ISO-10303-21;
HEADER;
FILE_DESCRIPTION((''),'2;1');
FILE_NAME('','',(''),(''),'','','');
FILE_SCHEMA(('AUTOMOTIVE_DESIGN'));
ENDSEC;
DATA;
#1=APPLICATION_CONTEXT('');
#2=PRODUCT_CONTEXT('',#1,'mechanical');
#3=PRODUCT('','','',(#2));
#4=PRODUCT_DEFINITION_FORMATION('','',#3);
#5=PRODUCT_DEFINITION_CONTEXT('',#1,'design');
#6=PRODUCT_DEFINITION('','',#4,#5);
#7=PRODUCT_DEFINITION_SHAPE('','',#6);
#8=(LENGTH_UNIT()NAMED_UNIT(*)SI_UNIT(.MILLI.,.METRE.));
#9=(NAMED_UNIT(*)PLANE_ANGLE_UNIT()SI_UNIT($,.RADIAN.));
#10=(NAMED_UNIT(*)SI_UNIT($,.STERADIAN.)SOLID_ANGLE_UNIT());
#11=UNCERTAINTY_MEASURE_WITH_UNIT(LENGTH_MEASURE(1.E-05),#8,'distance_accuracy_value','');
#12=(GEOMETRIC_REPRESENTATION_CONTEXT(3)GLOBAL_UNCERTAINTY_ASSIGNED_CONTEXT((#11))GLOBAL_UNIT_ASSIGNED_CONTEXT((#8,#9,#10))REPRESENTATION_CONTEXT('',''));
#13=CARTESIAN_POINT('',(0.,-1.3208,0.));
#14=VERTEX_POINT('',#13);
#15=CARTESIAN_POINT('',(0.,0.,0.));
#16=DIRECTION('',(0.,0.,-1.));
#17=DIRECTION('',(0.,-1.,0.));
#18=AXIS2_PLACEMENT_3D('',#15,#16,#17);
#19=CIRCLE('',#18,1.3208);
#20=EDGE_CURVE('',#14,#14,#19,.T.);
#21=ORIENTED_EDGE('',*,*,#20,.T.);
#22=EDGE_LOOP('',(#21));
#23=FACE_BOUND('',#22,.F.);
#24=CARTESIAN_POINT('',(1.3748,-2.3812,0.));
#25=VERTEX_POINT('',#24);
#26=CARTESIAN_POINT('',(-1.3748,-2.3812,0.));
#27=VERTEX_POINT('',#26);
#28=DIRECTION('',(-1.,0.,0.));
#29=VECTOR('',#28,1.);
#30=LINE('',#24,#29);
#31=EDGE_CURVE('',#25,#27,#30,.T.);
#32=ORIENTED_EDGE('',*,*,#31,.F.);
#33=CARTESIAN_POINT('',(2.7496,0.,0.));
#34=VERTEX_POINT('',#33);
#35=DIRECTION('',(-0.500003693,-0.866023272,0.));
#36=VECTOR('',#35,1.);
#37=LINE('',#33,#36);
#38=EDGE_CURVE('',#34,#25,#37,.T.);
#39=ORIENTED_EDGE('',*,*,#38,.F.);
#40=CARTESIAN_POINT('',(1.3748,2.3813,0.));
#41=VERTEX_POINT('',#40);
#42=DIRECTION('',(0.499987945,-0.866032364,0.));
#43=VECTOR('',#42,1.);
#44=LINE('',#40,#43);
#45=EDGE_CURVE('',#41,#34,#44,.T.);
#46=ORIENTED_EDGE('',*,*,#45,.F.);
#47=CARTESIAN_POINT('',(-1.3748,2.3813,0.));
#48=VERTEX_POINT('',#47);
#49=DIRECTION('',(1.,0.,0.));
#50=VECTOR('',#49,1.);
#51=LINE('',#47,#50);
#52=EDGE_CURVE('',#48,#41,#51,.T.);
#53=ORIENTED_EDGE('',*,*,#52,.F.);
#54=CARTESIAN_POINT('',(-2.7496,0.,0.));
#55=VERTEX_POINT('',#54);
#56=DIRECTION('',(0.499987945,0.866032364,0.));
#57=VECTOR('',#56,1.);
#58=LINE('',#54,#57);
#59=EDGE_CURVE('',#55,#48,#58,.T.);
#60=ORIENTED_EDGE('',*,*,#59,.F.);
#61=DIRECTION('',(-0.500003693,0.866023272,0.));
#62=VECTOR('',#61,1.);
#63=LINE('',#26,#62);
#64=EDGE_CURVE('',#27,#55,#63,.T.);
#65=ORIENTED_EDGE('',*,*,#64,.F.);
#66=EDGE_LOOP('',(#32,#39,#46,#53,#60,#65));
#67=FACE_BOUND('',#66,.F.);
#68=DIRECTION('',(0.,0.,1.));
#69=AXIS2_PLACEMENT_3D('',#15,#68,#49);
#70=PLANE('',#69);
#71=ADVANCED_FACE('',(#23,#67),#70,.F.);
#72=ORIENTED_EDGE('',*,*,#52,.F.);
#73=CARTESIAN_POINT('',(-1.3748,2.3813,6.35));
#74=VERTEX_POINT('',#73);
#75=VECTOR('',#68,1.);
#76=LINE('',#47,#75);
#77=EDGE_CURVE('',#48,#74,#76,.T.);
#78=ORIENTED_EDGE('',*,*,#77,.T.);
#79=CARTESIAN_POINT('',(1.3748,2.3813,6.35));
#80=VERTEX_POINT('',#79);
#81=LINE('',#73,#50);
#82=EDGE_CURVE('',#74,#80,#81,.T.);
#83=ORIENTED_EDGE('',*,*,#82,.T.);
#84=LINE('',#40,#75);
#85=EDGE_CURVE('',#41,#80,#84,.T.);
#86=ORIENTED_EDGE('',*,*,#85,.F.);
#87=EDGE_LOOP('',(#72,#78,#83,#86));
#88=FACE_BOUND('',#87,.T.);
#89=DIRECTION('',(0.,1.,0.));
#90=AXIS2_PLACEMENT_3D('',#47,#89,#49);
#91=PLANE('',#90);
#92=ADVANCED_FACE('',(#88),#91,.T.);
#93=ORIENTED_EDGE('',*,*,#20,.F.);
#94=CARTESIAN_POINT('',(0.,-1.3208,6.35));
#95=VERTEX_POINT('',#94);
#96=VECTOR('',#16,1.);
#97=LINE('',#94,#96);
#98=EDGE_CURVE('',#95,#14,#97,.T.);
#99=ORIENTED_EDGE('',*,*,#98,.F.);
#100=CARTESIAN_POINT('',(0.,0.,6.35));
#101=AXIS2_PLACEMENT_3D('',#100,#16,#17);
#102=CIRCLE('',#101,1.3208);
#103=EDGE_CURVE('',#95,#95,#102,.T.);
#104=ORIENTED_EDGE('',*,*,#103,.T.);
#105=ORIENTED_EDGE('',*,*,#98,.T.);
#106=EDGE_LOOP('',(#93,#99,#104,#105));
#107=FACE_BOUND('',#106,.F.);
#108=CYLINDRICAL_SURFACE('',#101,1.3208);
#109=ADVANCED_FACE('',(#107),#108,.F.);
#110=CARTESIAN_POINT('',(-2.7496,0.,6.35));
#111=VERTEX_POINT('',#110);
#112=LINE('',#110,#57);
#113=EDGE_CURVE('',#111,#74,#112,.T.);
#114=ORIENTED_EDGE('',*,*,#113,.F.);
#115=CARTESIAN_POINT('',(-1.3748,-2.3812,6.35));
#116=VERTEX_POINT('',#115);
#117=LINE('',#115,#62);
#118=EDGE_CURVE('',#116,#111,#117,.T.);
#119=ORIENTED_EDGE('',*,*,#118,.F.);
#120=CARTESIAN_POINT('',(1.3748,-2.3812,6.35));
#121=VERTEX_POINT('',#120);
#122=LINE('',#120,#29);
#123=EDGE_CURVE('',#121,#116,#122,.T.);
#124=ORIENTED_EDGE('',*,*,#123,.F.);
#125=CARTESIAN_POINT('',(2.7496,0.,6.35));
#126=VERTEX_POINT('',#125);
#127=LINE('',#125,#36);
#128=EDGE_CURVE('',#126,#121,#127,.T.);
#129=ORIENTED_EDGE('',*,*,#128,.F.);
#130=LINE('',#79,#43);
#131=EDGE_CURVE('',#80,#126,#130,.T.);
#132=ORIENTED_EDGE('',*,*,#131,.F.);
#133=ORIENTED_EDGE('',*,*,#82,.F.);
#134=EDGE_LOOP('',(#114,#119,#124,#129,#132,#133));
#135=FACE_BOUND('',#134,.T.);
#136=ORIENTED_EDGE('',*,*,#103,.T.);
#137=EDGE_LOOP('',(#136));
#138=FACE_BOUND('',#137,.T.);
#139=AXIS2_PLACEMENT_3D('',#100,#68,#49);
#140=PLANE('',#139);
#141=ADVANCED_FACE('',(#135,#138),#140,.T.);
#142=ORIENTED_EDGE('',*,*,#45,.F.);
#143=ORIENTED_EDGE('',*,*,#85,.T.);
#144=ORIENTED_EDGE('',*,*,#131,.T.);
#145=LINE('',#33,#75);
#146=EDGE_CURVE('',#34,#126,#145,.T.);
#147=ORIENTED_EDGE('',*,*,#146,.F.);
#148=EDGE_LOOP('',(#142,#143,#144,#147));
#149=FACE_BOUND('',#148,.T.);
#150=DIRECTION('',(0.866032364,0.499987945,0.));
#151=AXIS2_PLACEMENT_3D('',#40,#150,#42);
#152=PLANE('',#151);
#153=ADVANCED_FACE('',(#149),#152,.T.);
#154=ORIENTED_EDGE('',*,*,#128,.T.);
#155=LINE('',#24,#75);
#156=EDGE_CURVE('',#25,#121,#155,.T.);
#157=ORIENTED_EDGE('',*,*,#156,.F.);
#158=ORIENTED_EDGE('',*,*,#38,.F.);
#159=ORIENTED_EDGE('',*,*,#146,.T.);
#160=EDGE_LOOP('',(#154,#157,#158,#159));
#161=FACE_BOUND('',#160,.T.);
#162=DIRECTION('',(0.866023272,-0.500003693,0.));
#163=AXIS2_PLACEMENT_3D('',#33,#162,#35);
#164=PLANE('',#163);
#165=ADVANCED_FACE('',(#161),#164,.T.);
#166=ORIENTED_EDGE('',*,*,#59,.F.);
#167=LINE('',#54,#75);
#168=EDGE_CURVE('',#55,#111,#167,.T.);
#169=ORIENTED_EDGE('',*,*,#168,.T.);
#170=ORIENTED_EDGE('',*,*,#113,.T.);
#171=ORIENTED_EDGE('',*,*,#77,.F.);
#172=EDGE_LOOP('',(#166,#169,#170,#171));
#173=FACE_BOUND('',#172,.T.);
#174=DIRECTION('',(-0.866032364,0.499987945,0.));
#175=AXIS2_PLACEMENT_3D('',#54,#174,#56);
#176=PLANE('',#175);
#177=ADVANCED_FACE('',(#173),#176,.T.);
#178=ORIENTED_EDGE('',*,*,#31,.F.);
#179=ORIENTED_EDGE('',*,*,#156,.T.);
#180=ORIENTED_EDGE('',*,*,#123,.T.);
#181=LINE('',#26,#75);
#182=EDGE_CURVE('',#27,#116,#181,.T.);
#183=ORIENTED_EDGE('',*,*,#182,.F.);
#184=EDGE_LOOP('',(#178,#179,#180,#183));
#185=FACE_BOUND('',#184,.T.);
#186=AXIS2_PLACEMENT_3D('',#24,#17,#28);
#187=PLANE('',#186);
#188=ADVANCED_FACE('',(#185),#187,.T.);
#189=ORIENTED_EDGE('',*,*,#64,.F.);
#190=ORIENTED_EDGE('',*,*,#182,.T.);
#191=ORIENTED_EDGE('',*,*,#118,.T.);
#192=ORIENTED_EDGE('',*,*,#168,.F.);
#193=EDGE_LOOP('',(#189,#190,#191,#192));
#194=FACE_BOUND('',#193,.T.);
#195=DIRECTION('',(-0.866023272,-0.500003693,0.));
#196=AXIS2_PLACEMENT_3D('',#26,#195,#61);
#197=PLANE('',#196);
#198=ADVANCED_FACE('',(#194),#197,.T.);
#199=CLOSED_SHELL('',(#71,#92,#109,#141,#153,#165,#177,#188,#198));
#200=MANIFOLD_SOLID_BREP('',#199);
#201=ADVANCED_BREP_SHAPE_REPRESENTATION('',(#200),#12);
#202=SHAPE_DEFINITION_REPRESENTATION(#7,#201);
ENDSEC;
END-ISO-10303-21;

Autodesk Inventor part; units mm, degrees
ref_plane "YZ Plane" through (0, 0, 0) normal (1, 0, 0) x (0, 1, 0)
ref_plane "XZ Plane" through (0, 0, 0) normal (0, 1, 0) x (-1, 0, 0)
ref_plane "XY Plane" through (0, 0, 0) normal (0, 0, 1) x (1, 0, 0)
sketch "Sketch1" plane through (0, 0, 0) normal (0, 0, 1) x (1, 0, 0)
  line L0 (2.7496, 0) -> (1.3748, -2.3812)
  line L1 (1.3748, -2.3812) -> (-1.3748, -2.3812)
  line L2 (-1.3748, -2.3812) -> (-2.7496, 0)
  line L3 (-2.7496, 0) -> (-1.3748, 2.3813)
  line L4 (-1.3748, 2.3813) -> (1.3748, 2.3813)
  line L5 (1.3748, 2.3813) -> (2.7496, 0)
  point P0 (0, 0)
  point P1 (0, 0)
  dimension "Diameter" = 4.7625
extrude "Extrusion1" add sketch "Sketch1" along normal blind 6.35
sketch "Sketch2" plane through (0, 0, 6.35) normal (0, 0, 1) x (1, 0, 0)
  point P0 (0, 0)
  point P1 (0, 0)
hole "Hole1" at (0, 0, 6.35) direction (0, 0, -1) diameter 2.6416 end through all thread size "6-32 UNC" class "2B" standard "ANSI Unified Screw Threads"
properties part number "standoffiPart-01"
